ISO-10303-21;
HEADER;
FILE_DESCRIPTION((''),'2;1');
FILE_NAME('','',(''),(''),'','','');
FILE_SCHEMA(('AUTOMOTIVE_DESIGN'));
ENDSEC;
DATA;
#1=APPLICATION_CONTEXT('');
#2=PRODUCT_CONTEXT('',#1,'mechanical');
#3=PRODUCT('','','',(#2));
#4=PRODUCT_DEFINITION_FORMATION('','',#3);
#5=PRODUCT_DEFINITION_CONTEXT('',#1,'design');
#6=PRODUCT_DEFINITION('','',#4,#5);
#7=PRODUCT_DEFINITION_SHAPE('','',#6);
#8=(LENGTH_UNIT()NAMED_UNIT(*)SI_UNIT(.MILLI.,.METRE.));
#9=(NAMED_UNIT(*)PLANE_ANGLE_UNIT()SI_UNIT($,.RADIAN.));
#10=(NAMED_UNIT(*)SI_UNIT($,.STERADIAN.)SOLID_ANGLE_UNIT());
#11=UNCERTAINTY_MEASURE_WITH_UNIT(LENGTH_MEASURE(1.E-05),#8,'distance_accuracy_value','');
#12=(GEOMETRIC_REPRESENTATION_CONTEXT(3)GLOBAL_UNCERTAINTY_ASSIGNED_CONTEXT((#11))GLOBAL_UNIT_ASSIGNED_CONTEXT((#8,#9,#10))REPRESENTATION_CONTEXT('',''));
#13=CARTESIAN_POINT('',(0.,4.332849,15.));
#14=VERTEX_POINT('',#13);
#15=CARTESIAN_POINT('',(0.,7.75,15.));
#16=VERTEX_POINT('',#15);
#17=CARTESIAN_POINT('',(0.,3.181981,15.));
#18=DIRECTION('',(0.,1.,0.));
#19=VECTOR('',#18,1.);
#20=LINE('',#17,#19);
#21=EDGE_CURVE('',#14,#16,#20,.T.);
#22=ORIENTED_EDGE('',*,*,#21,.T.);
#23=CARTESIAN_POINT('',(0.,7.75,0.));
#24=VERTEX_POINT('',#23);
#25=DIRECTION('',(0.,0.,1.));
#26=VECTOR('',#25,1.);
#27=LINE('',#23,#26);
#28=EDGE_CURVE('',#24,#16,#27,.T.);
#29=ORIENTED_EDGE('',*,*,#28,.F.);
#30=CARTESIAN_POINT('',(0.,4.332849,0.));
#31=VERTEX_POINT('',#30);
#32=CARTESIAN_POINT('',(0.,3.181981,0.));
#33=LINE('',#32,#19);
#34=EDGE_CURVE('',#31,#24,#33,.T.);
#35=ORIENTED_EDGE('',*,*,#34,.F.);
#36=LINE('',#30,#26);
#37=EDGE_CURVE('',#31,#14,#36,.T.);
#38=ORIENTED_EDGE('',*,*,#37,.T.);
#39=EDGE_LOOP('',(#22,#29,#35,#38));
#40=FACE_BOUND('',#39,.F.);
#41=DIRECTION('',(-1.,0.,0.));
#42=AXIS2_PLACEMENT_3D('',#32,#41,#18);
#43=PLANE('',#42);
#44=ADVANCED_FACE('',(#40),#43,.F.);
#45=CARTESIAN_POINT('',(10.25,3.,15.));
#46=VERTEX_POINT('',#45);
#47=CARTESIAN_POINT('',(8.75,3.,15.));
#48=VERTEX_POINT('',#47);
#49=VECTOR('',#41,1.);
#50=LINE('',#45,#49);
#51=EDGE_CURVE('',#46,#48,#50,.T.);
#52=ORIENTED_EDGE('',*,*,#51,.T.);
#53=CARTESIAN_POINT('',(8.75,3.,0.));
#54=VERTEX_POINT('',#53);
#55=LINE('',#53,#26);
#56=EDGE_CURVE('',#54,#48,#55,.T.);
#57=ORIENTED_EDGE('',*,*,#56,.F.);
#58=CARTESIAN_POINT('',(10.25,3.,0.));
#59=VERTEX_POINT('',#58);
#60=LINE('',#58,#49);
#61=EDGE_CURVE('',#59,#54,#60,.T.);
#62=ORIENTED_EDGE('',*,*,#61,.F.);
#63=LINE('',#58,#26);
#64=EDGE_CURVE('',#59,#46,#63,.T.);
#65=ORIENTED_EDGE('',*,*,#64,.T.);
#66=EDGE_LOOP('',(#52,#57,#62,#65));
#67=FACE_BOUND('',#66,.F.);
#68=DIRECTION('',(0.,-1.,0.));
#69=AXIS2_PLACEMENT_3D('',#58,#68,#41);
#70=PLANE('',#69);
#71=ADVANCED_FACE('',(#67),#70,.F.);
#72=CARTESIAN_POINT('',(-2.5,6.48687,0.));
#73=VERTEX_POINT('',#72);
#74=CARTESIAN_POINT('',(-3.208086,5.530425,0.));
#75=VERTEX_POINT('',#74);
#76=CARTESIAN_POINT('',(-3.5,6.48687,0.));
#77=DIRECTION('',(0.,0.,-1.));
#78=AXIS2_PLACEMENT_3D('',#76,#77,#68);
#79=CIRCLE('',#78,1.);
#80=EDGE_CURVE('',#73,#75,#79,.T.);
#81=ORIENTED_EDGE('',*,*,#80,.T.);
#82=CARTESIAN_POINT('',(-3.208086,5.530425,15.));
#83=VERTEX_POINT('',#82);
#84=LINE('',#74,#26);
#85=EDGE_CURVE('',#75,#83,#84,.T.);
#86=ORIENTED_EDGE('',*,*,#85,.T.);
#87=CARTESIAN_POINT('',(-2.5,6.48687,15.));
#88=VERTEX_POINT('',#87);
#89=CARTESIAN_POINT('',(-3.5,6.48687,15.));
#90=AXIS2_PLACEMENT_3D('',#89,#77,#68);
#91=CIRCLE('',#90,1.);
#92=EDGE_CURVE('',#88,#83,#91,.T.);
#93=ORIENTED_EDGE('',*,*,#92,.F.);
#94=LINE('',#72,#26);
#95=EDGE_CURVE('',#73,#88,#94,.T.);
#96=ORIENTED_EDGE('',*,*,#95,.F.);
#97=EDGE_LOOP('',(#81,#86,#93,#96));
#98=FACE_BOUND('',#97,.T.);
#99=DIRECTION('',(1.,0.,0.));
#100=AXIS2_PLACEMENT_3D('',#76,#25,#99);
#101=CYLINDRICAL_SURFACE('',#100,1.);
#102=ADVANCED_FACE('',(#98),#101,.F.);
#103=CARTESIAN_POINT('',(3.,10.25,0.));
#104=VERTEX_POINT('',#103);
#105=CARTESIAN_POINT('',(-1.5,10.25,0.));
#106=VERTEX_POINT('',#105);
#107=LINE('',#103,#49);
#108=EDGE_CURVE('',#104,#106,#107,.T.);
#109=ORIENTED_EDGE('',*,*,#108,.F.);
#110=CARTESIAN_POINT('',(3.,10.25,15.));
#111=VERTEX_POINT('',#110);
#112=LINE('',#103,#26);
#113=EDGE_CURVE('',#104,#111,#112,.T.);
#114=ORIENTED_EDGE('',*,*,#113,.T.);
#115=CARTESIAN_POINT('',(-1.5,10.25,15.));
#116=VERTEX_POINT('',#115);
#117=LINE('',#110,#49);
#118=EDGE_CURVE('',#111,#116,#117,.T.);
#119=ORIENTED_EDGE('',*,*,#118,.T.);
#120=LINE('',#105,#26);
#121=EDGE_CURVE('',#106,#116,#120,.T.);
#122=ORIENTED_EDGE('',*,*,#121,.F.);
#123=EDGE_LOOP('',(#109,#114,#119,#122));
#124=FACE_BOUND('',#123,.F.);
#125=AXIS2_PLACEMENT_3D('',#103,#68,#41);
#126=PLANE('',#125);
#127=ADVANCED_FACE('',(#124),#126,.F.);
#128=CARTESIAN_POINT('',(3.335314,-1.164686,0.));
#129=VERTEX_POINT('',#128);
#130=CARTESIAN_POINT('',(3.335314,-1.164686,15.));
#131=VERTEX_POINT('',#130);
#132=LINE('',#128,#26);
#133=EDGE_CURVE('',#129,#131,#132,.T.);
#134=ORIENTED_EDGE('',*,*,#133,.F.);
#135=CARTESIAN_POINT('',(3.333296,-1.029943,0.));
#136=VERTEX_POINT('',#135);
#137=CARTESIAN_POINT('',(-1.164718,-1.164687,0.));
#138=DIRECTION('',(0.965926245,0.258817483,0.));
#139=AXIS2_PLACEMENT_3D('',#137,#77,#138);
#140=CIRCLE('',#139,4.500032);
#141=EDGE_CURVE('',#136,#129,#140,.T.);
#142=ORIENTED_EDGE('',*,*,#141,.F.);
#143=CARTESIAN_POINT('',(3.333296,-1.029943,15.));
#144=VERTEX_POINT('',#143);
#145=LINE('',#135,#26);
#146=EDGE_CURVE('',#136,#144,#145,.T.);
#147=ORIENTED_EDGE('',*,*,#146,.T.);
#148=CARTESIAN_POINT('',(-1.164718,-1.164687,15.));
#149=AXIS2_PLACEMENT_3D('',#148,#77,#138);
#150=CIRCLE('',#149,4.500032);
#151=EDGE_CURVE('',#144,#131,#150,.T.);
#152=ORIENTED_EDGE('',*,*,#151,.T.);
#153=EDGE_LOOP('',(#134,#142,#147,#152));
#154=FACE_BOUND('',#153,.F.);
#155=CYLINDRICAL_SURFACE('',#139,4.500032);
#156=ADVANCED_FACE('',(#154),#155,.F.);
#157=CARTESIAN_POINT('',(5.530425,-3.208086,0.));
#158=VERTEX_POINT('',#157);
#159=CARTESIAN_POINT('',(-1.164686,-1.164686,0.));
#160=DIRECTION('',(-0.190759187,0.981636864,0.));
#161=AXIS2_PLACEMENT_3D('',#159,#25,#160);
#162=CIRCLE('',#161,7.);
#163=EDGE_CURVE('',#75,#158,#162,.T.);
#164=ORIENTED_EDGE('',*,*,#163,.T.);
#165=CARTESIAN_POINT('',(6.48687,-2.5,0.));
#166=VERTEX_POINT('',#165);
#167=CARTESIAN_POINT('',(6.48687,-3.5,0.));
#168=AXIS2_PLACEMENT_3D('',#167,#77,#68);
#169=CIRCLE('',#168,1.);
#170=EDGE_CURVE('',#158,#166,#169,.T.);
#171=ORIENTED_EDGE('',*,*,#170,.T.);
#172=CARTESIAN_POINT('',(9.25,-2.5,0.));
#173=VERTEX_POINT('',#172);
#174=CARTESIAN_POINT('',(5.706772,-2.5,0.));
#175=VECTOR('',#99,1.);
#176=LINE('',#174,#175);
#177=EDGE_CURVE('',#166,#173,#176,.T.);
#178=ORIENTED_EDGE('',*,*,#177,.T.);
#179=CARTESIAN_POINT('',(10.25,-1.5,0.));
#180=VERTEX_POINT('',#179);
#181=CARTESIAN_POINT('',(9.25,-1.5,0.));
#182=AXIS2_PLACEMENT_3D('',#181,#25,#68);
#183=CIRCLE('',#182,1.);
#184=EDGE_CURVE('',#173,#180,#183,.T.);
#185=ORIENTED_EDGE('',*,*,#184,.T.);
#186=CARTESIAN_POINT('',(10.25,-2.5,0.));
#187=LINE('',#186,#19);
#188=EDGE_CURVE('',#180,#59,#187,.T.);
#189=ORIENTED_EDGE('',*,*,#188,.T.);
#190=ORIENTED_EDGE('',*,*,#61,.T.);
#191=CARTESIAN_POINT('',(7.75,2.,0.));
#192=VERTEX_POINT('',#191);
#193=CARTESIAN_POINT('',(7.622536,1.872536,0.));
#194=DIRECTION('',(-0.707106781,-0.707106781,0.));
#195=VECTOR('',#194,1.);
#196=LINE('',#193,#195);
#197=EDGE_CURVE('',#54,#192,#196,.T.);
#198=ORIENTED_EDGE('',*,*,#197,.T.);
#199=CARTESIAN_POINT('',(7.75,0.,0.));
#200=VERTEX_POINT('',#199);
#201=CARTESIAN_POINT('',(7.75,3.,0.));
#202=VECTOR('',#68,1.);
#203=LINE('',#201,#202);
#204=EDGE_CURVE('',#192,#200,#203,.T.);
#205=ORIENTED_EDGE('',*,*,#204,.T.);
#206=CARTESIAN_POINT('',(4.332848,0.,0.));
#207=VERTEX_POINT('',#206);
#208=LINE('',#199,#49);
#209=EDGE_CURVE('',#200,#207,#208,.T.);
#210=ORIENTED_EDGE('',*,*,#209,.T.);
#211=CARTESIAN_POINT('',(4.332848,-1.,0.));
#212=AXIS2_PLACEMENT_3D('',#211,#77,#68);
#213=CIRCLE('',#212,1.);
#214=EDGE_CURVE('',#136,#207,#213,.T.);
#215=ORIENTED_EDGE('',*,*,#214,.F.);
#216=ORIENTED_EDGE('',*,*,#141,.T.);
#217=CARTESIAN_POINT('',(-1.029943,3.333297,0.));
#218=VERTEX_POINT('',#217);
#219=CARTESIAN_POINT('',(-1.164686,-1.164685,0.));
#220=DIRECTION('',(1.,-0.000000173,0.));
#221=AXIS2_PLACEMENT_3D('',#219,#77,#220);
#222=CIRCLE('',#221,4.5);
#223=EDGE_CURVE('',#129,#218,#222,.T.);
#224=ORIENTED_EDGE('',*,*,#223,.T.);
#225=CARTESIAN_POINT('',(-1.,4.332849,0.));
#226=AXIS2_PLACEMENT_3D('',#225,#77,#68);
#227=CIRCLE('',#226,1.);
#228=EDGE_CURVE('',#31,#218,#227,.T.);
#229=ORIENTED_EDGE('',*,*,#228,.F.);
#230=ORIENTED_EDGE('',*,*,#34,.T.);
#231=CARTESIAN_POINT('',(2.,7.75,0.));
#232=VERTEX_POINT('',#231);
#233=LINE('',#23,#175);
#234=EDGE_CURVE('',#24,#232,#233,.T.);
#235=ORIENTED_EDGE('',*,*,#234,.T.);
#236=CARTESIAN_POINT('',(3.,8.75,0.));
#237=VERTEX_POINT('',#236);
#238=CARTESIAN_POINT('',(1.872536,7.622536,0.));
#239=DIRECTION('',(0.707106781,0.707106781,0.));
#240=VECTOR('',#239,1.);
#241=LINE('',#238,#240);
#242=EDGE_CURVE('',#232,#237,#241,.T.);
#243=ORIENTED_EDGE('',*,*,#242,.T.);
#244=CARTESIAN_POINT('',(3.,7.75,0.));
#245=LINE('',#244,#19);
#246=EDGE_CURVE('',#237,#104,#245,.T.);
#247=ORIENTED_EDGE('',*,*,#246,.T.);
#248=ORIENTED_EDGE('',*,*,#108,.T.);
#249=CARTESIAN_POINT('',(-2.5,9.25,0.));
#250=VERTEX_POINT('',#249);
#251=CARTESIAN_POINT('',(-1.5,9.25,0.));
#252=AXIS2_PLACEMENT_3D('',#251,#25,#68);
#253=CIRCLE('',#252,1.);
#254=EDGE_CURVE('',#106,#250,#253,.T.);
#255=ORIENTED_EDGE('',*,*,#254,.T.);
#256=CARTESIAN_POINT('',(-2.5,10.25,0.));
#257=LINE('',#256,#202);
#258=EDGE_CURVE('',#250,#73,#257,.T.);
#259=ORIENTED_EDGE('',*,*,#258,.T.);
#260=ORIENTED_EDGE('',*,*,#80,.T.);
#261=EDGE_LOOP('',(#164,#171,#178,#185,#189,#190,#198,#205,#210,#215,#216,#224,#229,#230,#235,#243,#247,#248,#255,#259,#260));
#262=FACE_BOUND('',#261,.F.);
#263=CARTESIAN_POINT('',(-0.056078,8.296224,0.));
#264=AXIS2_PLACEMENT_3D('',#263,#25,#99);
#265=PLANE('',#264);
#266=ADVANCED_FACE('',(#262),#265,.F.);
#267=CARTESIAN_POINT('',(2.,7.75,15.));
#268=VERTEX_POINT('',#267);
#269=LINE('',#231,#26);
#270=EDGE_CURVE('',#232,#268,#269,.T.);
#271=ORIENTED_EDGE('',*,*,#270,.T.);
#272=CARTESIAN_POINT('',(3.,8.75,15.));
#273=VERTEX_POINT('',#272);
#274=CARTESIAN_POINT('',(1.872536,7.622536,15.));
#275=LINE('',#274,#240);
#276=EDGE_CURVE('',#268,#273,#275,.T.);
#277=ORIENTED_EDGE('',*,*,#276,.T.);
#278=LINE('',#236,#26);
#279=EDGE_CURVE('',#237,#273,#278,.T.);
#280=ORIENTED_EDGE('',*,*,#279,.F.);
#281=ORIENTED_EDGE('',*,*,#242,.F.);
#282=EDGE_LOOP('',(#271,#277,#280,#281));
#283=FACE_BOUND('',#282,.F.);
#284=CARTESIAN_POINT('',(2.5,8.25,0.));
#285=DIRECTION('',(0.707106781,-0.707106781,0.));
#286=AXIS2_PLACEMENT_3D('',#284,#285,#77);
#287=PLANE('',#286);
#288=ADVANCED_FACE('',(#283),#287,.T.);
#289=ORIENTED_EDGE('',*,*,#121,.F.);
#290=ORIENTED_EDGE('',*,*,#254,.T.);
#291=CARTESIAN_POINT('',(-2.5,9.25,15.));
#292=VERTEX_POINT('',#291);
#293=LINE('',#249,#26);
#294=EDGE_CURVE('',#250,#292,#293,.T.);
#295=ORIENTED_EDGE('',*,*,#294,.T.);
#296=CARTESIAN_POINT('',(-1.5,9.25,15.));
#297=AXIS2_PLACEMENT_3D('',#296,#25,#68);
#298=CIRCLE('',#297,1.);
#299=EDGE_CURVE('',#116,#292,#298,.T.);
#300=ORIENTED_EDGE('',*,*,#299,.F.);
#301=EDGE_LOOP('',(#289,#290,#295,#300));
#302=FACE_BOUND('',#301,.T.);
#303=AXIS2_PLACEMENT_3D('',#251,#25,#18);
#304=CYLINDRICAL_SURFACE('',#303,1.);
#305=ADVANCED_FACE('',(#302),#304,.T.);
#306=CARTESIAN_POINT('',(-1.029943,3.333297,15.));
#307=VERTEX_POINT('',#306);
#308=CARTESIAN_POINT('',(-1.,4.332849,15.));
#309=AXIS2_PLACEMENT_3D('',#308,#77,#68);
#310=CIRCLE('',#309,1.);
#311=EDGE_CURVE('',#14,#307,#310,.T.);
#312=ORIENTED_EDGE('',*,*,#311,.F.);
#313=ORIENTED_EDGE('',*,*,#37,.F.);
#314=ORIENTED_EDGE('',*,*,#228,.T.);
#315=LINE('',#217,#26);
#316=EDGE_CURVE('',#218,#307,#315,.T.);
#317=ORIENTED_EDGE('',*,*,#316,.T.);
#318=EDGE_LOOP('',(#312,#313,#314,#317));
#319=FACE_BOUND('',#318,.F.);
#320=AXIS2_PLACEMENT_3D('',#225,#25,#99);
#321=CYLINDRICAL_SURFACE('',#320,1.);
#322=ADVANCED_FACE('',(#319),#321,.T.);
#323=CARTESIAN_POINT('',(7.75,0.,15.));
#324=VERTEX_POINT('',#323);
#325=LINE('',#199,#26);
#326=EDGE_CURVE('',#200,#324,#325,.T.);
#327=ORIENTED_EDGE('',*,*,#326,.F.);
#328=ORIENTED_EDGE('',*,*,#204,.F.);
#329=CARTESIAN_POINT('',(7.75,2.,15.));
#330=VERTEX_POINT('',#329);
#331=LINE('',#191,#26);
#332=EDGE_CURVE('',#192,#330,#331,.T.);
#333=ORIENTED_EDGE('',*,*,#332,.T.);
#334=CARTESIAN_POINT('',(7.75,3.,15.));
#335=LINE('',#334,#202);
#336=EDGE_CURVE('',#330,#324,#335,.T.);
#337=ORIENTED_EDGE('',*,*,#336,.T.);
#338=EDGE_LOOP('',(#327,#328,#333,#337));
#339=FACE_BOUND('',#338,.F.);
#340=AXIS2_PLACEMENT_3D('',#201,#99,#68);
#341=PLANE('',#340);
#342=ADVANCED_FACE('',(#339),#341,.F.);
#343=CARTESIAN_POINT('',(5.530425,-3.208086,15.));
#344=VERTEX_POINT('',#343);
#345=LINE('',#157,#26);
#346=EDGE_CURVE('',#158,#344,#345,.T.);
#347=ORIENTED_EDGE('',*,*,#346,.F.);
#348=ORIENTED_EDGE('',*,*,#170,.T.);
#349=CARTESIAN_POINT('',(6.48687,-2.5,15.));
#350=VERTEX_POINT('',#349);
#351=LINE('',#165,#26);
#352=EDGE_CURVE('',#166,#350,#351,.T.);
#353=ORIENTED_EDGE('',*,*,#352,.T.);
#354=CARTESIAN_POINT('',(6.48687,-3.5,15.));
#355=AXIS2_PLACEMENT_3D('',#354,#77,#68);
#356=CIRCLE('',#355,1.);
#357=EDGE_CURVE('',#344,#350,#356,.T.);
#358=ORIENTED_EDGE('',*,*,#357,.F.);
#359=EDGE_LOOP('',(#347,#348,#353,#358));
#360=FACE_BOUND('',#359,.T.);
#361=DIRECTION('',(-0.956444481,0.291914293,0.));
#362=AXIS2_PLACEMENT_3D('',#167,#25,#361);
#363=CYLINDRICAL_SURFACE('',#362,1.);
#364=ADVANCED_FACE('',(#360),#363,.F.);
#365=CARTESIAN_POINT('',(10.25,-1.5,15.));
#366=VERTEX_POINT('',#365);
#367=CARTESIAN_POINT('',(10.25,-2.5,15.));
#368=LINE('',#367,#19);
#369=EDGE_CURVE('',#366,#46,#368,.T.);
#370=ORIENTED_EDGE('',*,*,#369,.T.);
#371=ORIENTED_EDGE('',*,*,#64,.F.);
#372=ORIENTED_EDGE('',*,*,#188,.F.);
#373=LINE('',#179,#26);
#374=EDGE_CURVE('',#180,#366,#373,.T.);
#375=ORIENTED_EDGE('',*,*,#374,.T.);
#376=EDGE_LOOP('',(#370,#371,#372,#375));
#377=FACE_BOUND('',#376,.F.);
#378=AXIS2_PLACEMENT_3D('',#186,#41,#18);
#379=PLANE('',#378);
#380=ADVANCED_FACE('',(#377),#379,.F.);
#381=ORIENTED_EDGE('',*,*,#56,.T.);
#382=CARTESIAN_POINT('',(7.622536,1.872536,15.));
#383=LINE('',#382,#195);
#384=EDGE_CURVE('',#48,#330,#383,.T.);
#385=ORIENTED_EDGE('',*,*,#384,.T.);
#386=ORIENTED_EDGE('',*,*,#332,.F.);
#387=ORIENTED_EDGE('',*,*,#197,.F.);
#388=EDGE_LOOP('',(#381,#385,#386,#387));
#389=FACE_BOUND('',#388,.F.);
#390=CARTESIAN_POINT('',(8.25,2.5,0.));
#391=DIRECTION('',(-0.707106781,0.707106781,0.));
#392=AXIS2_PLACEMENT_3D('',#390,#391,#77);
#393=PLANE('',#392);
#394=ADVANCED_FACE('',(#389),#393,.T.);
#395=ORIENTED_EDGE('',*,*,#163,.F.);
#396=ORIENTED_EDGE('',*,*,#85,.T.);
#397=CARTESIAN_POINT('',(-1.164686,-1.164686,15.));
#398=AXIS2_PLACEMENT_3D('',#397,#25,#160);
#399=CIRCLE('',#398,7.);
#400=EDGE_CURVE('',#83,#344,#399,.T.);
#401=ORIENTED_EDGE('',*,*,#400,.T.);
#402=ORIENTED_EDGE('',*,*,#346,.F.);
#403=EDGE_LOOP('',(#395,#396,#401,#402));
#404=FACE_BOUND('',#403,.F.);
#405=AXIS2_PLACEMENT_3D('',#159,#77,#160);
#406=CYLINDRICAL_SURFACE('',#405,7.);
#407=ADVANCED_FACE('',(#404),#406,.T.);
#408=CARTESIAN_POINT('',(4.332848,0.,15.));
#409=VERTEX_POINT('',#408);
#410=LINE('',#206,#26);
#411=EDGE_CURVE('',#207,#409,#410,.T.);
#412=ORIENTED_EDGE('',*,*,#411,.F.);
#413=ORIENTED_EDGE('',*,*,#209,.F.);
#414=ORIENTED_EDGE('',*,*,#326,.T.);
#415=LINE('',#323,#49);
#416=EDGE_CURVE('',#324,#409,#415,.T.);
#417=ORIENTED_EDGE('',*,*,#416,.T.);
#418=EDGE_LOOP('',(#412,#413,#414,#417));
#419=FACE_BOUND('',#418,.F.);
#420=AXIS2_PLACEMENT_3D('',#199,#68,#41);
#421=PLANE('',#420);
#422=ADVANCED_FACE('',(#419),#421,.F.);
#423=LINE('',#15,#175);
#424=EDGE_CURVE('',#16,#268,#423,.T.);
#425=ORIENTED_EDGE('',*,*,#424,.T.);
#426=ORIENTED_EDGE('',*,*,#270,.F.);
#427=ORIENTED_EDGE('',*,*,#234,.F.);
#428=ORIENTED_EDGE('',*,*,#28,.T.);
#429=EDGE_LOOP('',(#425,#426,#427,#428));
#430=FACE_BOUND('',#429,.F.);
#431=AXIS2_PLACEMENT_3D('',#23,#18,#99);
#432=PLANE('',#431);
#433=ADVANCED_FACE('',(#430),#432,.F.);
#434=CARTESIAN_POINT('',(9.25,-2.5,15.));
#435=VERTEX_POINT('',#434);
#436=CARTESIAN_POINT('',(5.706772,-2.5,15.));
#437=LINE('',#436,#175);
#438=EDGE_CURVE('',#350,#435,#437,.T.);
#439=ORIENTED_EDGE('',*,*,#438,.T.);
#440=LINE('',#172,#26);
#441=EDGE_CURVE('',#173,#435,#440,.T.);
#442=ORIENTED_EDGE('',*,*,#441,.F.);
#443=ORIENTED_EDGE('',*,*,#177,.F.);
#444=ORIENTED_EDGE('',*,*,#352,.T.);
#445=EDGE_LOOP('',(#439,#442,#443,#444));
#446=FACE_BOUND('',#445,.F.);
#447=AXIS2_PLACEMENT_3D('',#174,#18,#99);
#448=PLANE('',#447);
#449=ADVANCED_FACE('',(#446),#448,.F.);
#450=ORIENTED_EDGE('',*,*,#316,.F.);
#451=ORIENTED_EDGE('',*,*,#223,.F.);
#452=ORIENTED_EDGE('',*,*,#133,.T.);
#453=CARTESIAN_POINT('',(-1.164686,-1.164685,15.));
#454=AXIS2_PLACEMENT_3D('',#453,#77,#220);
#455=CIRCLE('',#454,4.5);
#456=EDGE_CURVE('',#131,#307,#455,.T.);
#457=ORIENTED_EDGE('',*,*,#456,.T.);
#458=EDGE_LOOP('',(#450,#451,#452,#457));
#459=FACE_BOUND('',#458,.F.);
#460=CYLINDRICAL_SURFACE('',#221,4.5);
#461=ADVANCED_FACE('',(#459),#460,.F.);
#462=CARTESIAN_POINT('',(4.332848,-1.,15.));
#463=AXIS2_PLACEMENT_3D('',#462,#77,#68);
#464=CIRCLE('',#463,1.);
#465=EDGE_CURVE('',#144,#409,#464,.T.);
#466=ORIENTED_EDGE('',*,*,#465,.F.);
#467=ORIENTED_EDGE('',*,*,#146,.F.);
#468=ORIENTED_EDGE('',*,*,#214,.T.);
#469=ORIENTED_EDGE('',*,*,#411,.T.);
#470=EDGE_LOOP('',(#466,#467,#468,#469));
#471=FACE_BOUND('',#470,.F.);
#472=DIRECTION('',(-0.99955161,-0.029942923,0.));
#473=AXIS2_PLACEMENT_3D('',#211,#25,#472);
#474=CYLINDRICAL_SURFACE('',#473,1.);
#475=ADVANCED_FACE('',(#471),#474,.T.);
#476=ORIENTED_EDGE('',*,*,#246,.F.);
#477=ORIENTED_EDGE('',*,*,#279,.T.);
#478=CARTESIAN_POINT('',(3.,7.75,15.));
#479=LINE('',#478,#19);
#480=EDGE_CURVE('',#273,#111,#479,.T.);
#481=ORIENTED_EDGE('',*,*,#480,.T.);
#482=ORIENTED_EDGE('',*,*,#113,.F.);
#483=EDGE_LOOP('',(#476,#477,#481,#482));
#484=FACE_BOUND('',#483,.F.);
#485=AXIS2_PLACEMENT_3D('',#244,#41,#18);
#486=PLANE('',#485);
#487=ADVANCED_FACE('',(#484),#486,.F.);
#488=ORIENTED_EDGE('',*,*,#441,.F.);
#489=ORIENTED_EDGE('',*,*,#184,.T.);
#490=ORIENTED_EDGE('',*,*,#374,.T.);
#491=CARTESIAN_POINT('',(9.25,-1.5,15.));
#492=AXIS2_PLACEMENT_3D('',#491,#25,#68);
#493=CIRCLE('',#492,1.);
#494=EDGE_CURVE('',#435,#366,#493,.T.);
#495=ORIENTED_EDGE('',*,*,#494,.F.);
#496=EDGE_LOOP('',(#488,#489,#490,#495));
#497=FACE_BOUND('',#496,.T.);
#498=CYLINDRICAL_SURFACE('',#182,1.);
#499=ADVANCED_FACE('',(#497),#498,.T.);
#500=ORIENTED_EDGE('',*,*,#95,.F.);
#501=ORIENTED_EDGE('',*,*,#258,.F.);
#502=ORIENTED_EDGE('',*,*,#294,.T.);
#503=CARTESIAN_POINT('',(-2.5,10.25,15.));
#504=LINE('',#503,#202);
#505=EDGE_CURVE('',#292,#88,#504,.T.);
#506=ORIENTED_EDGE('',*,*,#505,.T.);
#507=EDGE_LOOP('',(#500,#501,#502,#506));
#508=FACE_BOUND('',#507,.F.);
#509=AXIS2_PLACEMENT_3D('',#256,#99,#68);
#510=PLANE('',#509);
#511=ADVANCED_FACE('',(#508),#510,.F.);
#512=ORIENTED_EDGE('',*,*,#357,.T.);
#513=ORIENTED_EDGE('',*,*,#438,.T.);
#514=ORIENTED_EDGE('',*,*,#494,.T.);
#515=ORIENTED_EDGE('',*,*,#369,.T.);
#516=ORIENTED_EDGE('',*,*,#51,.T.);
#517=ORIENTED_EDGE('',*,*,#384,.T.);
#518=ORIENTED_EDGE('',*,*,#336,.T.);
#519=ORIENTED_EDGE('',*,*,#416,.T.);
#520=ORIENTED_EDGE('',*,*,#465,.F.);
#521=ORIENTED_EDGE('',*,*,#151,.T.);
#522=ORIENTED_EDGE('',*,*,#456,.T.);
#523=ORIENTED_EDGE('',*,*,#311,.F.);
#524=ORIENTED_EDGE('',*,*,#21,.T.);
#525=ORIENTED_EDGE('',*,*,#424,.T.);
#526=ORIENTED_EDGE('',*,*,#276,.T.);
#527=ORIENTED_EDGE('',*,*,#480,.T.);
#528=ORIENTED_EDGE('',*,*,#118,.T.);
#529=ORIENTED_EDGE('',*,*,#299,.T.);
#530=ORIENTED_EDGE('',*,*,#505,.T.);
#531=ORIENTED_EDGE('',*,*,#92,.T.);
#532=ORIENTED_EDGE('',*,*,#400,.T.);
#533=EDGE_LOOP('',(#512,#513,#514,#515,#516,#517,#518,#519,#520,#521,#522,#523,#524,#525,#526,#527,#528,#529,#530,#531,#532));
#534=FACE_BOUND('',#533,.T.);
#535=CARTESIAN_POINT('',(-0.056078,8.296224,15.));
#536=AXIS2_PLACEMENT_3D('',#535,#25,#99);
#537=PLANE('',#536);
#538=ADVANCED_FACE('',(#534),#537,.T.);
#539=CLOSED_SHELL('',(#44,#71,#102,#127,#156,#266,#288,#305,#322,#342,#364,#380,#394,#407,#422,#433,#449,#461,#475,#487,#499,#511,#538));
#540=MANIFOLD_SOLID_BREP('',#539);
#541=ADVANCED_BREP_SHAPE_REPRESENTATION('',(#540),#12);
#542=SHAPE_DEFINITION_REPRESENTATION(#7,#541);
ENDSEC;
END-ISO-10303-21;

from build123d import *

# Parameters (mm, degrees)
F1_DEPTH = 15
F2_SIZE  = 1
F3_R     = 1


with BuildPart() as f1:
    # F0 (on Top) → F1 (new body)
    with BuildSketch(Plane.XY):
        with BuildLine():
            ThreePointArc((-2.5, 5.706772), (-1.251394, 5.834777), (0, 5.737742))
            Line((0, 5.737742), (0, 7.75))
            Line((0, 7.75), (3, 7.75))
            Line((3, 7.75), (3, 10.25))
            Line((3, 10.25), (-2.5, 10.25))
            Line((-2.5, 10.25), (-2.5, 5.706772))
        make_face()
        with BuildLine():
            ThreePointArc((3.181981, 0), (3.296816, -0.577318), (3.335314, -1.164686))
            ThreePointArc((3.335314, -1.164686), (-4.734776, -3.904112), (0, 3.181981))
            Line((0, 3.181981), (0, 5.737742))
            ThreePointArc((0, 5.737742), (-1.251394, 5.834777), (-2.5, 5.706772))
            ThreePointArc((-2.5, 5.706772), (-6.114433, -6.114433), (5.706772, -2.5))
            ThreePointArc((5.706772, -2.5), (5.803105, -1.835429), (5.835314, -1.164686))
            ThreePointArc((5.835314, -1.164686), (5.810879, -0.580303), (5.737742, 0))
            Line((5.737742, 0), (3.181981, 0))
        make_face()
        with BuildLine():
            Line((7.75, 0), (5.737742, 0))
            ThreePointArc((5.737742, 0), (5.810879, -0.580303), (5.835314, -1.164686))
            ThreePointArc((5.835314, -1.164686), (5.803105, -1.835429), (5.706772, -2.5))
            Line((5.706772, -2.5), (10.25, -2.5))
            Line((10.25, -2.5), (10.25, 3))
            Line((10.25, 3), (7.75, 3))
            Line((7.75, 3), (7.75, 0))
        make_face()
    extrude(amount=F1_DEPTH)

    # F2
    f2_edges = [f1.edges().sort_by_distance(p)[0] for p in [
        (3, 7.75, 7.5),
        (7.75, 3, 7.5),
    ]]
    chamfer(f2_edges, length=F2_SIZE)

    # F3
    f3_edges = [f1.edges().sort_by_distance(p)[0] for p in [
        (10.25, -2.5, 7.5),
        (0, 3.181981, 7.5),
        (-2.5, 10.25, 7.5),
        (3.181981, 0, 7.5),
        (-2.5, 5.706772, 7.5),
        (5.706772, -2.5, 7.5),
    ]]
    fillet(f3_edges, radius=F3_R)


solid = f1.part
